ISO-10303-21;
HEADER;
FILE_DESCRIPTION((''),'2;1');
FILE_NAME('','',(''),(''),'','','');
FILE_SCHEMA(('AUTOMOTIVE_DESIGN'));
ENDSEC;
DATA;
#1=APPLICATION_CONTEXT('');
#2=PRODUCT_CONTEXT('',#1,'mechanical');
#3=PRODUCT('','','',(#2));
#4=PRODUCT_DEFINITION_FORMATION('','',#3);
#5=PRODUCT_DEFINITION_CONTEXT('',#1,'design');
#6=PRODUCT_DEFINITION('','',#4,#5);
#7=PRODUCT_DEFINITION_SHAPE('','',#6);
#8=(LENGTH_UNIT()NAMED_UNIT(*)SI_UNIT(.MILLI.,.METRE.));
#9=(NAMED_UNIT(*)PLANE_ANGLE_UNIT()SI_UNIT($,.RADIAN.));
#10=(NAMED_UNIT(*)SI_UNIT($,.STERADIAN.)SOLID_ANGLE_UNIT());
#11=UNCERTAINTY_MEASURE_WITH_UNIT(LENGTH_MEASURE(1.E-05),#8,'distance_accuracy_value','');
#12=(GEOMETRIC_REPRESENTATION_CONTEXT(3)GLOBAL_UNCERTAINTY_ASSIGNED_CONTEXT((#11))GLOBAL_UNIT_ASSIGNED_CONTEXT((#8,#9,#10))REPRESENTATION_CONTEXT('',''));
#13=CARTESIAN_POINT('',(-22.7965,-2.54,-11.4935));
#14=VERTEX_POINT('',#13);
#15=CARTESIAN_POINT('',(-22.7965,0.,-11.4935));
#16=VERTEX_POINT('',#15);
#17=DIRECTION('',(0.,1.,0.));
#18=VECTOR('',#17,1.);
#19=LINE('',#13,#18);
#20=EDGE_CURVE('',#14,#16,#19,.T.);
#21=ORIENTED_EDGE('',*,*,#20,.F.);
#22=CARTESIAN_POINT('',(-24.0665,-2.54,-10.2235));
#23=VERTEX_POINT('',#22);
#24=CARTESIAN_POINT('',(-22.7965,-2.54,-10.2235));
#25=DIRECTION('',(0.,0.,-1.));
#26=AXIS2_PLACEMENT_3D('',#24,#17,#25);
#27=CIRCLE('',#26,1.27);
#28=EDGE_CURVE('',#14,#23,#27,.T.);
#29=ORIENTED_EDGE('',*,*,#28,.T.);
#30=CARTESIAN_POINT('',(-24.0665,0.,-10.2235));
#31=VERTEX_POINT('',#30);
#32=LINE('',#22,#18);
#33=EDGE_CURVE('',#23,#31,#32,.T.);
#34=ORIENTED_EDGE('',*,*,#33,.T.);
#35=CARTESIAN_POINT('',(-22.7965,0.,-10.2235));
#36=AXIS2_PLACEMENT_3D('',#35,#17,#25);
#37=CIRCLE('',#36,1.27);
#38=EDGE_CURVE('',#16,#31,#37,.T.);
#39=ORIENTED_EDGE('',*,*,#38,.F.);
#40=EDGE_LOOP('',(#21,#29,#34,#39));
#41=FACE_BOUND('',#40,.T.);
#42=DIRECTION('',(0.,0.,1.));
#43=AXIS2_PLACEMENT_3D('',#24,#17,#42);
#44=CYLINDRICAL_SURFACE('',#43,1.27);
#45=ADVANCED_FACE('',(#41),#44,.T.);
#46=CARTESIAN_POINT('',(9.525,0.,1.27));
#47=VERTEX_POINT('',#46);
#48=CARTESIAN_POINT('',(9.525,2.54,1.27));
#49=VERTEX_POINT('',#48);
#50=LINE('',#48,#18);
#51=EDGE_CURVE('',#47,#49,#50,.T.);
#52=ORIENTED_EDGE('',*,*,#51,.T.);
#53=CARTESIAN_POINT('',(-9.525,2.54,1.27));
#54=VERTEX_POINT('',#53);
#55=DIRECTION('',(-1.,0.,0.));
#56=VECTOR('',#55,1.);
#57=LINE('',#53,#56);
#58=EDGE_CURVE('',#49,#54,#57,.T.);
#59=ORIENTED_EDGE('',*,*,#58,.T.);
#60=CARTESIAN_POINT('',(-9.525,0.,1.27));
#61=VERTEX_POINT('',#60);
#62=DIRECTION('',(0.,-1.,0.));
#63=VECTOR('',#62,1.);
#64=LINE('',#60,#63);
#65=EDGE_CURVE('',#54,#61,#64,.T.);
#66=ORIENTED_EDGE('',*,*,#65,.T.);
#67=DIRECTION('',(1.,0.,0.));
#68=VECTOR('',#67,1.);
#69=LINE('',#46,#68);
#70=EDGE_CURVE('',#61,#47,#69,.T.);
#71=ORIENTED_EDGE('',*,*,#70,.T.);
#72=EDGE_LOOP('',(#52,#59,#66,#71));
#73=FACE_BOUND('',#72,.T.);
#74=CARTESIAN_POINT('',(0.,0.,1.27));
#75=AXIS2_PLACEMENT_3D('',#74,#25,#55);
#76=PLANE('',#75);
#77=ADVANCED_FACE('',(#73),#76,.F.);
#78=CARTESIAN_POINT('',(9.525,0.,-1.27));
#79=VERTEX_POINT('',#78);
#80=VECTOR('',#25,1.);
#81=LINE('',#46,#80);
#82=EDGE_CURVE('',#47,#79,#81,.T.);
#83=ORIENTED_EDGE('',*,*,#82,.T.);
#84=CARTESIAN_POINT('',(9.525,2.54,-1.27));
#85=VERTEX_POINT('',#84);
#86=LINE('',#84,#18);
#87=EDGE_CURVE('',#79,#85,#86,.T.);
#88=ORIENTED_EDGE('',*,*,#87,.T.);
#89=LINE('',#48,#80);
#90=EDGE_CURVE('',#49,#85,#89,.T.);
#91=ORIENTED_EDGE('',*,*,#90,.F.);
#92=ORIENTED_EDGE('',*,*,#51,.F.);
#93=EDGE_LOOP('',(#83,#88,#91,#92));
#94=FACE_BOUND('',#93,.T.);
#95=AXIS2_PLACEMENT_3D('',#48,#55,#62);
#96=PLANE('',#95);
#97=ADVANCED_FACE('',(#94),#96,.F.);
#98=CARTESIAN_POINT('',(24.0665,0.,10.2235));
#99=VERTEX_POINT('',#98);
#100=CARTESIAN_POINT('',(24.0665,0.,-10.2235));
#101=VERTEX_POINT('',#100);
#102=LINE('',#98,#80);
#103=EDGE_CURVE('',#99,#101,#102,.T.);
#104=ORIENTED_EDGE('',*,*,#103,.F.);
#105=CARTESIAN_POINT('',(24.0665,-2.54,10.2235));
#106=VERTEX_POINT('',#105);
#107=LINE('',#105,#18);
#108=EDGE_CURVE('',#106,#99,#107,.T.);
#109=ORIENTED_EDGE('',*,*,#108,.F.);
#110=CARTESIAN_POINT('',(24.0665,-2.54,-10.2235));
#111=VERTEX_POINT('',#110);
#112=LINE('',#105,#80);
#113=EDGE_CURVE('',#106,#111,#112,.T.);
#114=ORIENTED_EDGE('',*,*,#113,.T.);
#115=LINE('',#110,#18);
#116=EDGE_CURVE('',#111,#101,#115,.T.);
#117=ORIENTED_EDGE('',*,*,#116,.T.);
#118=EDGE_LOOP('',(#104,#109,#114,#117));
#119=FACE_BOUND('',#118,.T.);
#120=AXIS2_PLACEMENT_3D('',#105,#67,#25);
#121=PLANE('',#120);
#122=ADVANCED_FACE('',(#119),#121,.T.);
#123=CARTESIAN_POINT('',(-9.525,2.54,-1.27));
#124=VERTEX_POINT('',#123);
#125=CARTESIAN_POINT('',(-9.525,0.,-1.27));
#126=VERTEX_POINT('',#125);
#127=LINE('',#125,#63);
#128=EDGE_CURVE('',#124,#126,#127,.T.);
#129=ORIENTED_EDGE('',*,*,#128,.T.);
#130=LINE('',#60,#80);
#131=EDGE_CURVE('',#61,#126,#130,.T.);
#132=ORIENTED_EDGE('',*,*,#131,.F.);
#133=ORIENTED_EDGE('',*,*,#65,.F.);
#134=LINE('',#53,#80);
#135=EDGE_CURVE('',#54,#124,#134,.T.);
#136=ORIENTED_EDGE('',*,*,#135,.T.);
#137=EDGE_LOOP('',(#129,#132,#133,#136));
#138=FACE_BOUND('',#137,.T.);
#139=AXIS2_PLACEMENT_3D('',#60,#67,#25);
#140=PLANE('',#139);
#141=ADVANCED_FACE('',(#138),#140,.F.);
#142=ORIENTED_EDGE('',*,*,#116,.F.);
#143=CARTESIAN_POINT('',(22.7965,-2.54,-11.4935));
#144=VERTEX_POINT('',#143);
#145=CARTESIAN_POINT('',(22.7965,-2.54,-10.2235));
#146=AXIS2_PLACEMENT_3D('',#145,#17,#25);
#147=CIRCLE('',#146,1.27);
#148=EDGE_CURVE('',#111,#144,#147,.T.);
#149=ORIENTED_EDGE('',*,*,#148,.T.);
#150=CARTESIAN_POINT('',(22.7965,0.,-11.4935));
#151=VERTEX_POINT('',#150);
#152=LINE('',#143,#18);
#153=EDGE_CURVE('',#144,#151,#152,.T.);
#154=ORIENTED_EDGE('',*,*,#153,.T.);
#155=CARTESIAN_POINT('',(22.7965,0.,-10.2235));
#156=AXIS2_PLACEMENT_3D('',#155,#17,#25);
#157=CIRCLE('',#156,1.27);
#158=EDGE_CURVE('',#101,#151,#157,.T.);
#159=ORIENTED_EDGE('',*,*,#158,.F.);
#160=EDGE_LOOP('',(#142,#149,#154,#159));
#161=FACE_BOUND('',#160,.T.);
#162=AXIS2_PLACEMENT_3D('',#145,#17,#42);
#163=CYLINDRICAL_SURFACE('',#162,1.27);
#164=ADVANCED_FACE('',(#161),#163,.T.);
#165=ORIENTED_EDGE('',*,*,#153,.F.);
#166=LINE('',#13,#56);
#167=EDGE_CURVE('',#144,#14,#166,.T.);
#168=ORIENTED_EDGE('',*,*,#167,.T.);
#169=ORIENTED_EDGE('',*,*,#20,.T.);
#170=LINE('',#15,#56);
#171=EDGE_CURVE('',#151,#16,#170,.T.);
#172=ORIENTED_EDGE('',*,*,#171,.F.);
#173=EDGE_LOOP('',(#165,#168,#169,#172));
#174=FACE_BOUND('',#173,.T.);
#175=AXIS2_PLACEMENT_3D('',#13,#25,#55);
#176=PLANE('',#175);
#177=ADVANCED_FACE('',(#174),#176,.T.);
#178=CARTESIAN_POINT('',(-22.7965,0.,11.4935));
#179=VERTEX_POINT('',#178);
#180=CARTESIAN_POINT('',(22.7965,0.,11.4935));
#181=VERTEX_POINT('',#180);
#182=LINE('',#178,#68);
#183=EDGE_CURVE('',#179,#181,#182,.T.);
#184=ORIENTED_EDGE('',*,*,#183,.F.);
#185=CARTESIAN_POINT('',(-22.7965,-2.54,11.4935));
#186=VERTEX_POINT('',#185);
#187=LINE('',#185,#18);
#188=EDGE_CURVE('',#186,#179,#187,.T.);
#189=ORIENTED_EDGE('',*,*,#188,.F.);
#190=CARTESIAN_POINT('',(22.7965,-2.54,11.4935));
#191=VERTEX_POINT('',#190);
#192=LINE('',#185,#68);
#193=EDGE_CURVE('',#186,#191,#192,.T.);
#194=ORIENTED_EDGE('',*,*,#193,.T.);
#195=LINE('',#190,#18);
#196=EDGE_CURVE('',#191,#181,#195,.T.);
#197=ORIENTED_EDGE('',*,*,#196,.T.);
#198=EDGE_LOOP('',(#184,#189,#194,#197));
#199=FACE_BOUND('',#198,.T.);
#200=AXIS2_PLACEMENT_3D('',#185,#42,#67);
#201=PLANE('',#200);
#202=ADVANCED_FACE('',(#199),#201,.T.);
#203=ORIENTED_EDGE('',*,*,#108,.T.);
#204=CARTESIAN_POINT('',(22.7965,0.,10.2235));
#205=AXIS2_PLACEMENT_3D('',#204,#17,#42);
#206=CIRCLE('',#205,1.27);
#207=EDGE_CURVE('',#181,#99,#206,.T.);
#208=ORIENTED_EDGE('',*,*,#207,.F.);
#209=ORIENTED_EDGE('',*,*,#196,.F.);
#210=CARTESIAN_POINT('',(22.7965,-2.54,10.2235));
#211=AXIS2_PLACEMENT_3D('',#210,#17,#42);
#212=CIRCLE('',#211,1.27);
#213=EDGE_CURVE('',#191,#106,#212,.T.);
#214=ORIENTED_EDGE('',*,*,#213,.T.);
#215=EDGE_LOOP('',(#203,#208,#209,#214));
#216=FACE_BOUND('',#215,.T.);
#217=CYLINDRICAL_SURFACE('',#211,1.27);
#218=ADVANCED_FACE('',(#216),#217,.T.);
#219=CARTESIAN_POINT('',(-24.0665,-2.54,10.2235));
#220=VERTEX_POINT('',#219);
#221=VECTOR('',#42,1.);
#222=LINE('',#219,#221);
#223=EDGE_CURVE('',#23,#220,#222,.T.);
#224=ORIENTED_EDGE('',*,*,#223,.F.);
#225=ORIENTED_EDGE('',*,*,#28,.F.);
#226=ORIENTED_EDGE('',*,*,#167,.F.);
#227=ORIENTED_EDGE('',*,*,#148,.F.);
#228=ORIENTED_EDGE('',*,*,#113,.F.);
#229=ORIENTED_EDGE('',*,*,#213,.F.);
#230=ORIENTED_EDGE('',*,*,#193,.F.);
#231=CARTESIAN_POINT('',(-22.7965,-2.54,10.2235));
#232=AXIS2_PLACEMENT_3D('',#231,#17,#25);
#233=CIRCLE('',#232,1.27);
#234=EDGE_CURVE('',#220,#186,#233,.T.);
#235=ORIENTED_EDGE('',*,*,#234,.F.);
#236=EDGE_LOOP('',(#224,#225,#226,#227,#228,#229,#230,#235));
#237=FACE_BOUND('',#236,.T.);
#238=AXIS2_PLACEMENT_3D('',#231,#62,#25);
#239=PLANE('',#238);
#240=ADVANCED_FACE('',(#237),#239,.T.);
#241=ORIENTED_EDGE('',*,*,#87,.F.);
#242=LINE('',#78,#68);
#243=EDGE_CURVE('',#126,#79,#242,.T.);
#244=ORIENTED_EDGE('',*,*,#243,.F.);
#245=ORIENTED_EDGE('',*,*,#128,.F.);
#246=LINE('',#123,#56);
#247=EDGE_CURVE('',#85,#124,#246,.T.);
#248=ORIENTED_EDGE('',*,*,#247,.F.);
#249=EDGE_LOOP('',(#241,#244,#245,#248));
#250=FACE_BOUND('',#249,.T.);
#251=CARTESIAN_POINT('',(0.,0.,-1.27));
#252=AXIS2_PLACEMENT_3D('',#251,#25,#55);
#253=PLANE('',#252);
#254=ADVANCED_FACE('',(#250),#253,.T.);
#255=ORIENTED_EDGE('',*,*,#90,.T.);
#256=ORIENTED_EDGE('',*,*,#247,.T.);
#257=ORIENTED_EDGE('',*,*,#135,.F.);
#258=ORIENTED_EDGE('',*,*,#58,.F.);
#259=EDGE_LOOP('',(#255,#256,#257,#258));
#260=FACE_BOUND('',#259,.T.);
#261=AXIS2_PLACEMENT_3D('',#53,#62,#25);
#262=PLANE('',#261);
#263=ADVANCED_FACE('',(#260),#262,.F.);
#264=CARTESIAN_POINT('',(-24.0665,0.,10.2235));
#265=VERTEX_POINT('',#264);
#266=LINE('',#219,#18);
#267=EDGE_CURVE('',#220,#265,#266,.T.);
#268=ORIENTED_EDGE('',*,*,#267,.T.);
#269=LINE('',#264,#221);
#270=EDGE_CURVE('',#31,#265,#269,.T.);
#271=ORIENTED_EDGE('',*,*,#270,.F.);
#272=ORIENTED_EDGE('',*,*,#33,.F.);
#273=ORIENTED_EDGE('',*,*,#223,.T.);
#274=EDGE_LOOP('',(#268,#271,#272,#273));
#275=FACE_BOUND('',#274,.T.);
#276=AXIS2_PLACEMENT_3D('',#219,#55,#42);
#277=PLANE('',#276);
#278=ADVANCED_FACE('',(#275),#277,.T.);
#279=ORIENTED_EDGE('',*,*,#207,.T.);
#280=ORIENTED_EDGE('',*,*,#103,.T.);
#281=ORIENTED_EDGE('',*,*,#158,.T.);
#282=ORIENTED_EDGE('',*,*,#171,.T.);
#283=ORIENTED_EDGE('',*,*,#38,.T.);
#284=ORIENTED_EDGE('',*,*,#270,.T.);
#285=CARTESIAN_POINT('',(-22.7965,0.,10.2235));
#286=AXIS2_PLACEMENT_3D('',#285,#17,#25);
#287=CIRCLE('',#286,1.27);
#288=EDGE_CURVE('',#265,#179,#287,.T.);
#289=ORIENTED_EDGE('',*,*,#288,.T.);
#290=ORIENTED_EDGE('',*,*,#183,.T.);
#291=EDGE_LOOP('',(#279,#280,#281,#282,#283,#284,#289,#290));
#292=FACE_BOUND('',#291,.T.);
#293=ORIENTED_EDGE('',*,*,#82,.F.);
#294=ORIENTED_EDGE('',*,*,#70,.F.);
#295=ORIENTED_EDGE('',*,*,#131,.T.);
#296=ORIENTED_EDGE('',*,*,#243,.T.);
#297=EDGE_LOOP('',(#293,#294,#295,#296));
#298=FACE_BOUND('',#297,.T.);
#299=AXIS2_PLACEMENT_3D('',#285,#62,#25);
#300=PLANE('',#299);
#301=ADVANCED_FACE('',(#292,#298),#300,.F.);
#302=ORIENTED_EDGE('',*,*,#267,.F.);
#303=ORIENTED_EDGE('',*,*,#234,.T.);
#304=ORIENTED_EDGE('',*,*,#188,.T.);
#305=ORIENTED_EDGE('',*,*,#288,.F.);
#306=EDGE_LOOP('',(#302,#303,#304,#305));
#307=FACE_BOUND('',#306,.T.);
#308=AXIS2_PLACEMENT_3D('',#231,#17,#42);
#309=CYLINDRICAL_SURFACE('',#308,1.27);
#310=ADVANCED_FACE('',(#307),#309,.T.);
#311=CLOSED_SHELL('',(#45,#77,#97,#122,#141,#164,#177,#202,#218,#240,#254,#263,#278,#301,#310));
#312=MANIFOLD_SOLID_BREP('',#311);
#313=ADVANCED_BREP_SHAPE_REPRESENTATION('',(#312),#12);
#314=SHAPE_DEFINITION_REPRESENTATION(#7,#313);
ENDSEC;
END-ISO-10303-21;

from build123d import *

# Parameters (mm, degrees)
BOSS_EXTRUDE1_DEPTH = 2.54
SKETCH2_W           = 19.05
SKETCH2_H           = 2.54
BOSS_EXTRUDE2_DEPTH = 1.27


with BuildPart() as part:
    # Sketch1 → Boss-Extrude1 (new body)
    with BuildSketch(Plane(origin=(0, 0, 0), x_dir=(1, 0, 0), z_dir=(0, 1, 0))):
        with BuildLine():
            Line((-22.7965, -11.4935), (22.7965, -11.4935))
            ThreePointArc((22.7965, -11.4935), (23.694525612, -11.121525612), (24.0665, -10.2235))
            Line((24.0665, -10.2235), (24.0665, 10.2235))
            ThreePointArc((24.0665, 10.2235), (23.694525612, 11.121525612), (22.7965, 11.4935))
            Line((22.7965, 11.4935), (-22.7965, 11.4935))
            ThreePointArc((-22.7965, 11.4935), (-23.694525612, 11.121525612), (-24.0665, 10.2235))
            Line((-24.0665, 10.2235), (-24.0665, -10.2235))
            ThreePointArc((-24.0665, -10.2235), (-23.694525612, -11.121525612), (-22.7965, -11.4935))
        make_face()
    extrude(amount=-BOSS_EXTRUDE1_DEPTH)

    # Sketch2 → Boss-Extrude2 (add, symmetric)
    with BuildSketch(Plane.XY):
        with Locations((0, 1.27)):
            Rectangle(SKETCH2_W, SKETCH2_H)
    extrude(amount=BOSS_EXTRUDE2_DEPTH, both=True)


solid = part.part
